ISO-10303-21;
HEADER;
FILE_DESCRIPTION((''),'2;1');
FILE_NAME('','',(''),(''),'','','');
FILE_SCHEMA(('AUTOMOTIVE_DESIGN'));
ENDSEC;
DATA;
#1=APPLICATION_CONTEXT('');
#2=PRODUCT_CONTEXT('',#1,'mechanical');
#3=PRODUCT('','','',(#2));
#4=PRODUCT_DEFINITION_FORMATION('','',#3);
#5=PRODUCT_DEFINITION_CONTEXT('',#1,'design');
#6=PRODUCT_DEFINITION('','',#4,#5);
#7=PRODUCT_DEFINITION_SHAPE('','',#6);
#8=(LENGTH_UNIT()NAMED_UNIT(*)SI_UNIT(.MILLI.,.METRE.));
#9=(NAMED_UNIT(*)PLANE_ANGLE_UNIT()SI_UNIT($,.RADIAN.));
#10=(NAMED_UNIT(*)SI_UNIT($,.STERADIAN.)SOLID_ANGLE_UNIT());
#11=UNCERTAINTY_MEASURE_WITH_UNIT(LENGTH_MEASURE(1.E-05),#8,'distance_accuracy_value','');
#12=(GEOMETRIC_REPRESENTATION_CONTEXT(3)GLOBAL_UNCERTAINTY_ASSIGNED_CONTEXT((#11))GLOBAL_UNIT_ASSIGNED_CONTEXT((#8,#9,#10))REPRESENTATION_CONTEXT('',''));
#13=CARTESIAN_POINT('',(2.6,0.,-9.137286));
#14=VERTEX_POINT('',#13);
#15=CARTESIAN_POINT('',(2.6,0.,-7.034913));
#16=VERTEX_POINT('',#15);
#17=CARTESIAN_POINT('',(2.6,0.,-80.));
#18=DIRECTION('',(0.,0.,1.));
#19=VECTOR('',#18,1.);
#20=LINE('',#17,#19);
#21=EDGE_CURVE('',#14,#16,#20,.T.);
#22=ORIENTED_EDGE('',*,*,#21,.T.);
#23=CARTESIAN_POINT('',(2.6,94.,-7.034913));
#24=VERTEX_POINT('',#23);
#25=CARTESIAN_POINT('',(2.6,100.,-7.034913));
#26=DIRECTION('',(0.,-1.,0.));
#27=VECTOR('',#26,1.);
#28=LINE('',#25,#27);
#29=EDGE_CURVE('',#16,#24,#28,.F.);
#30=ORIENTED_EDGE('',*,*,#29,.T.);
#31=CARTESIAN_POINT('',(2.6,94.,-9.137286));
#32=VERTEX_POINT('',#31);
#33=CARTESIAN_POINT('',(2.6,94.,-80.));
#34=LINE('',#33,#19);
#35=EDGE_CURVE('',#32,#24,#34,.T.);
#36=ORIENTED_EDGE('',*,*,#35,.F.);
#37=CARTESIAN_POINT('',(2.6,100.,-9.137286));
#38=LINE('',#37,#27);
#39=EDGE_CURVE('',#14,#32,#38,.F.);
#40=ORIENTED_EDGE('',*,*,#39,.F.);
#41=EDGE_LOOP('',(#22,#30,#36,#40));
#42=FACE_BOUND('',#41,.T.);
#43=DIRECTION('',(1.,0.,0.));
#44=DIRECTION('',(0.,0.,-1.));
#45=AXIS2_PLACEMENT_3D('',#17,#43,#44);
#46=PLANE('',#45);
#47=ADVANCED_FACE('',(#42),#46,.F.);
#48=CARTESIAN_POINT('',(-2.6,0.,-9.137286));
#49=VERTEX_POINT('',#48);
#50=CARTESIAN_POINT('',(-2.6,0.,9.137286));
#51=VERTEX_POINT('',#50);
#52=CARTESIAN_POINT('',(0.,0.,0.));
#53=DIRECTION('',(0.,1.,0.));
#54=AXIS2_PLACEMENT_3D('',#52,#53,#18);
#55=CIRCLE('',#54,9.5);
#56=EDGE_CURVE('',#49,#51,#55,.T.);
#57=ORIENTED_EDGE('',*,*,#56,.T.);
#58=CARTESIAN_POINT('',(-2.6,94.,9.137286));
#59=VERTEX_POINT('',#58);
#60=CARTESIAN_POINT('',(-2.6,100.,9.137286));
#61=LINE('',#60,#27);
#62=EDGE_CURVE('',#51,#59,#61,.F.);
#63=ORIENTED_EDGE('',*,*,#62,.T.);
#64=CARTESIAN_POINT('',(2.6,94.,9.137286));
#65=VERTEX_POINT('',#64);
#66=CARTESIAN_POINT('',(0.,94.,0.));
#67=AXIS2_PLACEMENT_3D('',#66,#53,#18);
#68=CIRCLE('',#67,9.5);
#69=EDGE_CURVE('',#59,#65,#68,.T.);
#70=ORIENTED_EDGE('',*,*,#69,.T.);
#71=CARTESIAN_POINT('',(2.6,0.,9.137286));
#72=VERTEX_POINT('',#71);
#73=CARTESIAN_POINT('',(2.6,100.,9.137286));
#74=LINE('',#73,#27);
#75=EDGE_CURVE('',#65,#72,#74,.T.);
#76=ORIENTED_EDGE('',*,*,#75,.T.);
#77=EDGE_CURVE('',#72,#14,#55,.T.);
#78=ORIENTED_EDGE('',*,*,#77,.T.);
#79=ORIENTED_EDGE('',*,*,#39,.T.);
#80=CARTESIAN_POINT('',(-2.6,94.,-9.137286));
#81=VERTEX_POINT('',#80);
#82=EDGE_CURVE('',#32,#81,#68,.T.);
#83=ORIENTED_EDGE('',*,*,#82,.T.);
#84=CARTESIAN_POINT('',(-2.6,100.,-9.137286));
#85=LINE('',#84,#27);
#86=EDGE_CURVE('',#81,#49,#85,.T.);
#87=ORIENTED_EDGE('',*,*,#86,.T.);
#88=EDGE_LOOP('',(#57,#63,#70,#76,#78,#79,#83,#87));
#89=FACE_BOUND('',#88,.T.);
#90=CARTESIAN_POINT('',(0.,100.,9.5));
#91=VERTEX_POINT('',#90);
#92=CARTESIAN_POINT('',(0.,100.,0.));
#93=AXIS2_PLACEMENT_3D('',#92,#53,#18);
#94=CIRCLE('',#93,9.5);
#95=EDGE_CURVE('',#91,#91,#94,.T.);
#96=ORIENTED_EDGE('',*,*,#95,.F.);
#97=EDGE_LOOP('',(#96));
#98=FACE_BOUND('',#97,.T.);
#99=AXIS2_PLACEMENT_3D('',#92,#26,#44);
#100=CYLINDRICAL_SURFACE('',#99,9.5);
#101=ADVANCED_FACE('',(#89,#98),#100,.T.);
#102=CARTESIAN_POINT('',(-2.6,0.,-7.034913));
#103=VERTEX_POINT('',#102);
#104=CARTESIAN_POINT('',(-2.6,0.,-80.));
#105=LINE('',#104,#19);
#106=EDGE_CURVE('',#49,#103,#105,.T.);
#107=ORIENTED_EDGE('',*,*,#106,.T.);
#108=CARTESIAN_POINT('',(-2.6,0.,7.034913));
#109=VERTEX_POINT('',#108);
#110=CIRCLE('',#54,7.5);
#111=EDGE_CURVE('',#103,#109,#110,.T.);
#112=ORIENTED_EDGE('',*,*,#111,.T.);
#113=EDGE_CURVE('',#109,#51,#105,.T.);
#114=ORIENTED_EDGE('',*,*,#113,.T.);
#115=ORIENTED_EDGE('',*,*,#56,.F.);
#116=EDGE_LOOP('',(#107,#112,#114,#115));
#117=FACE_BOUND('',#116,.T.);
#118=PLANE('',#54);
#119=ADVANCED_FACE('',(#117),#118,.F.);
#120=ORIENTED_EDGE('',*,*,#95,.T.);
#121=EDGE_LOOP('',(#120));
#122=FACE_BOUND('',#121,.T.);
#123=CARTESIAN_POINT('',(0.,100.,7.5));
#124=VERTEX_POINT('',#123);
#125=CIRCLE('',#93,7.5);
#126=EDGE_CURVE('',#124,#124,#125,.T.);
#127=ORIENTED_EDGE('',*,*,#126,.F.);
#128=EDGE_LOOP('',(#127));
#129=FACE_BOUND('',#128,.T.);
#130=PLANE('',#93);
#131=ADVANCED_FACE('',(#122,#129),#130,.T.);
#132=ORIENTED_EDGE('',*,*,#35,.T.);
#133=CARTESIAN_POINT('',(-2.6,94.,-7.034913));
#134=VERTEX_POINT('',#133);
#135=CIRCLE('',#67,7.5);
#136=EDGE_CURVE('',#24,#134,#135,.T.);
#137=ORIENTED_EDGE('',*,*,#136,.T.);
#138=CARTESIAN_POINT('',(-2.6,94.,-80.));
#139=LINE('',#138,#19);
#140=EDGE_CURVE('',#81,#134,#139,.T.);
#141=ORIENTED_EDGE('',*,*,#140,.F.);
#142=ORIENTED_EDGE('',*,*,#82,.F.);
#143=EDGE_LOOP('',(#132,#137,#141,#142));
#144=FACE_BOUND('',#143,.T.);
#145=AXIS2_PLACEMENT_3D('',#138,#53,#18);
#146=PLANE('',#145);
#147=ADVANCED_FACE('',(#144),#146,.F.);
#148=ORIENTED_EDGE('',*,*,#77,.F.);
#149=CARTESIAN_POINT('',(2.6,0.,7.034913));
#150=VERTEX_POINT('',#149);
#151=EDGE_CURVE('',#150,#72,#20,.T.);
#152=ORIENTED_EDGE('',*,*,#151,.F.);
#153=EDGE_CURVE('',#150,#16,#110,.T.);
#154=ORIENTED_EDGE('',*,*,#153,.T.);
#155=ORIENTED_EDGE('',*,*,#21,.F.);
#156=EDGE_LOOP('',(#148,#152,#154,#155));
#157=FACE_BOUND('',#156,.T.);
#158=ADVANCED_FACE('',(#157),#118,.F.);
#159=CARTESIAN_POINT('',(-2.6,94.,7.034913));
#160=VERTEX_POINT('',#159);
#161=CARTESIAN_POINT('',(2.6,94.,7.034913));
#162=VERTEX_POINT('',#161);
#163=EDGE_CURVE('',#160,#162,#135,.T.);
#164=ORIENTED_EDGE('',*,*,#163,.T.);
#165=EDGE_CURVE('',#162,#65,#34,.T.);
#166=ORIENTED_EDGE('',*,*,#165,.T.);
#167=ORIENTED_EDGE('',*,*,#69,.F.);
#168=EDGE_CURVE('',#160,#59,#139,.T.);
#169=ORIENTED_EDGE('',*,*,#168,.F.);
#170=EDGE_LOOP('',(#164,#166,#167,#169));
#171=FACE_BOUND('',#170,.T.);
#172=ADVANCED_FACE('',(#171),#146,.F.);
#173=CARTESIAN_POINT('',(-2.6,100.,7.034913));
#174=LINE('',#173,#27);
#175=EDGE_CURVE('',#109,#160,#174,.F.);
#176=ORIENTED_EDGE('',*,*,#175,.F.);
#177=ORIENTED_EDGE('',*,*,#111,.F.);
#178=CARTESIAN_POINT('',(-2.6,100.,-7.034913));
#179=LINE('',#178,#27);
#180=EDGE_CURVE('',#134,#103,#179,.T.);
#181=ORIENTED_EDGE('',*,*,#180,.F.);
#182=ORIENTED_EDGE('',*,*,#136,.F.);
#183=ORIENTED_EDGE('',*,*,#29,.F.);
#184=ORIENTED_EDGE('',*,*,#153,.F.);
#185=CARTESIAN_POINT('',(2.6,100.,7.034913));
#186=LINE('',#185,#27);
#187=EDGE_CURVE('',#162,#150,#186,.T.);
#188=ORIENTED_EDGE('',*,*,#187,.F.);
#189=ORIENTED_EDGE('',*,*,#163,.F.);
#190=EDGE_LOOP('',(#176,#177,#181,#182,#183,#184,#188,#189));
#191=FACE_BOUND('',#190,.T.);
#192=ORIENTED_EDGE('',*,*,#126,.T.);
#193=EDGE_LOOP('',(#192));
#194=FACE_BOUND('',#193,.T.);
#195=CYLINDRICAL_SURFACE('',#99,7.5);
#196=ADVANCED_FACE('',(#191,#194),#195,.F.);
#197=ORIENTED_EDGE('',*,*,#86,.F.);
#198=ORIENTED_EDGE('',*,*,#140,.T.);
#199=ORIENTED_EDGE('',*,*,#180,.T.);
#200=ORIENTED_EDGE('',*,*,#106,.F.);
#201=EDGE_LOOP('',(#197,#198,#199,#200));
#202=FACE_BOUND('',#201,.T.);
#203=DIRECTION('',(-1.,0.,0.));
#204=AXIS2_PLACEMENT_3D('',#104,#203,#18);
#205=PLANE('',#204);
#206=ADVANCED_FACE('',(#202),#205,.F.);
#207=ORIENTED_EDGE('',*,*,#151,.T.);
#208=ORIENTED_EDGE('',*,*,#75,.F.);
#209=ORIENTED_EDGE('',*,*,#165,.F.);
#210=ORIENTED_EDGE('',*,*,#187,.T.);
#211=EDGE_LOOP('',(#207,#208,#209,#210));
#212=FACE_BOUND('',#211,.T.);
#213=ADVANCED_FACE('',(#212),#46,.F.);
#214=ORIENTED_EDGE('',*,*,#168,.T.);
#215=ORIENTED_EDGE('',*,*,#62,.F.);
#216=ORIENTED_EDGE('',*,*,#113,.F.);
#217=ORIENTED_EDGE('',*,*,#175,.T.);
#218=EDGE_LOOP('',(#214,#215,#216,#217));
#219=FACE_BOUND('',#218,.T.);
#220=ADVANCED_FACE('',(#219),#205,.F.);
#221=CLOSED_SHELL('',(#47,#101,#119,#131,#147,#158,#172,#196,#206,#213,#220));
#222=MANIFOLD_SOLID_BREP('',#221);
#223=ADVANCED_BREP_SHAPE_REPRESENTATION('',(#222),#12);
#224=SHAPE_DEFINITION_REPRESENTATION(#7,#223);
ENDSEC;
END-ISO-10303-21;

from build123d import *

# Parameters (mm, degrees)
SKETCH1_R           = 9.5
SKETCH1_R_2         = 7.5
BOSS_EXTRUDE1_DEPTH = 100
SKETCH2_W           = 5.2
SKETCH2_H           = 94
CUT_EXTRUDE1_DEPTH  = 100


with BuildPart() as part:
    # Sketch1 → Boss-Extrude1 (new body)
    with BuildSketch(Plane(origin=(0, 0, 0), x_dir=(1, 0, 0), z_dir=(0, 1, 0))):
        with Locations(Location((0, 0, 0), (0, 0, 270))):
            Circle(SKETCH1_R)
        with Locations(Location((0, 0, 0), (0, 0, 270))):
            Circle(SKETCH1_R_2, mode=Mode.SUBTRACT)
    extrude(amount=BOSS_EXTRUDE1_DEPTH)

    # Sketch2 → Cut-Extrude1 (cut)
    with BuildSketch(Plane.XY.offset(20)):
        with Locations((0, 47)):
            Rectangle(SKETCH2_W, SKETCH2_H)
    extrude(amount=-CUT_EXTRUDE1_DEPTH, mode=Mode.SUBTRACT)


solid = part.part
